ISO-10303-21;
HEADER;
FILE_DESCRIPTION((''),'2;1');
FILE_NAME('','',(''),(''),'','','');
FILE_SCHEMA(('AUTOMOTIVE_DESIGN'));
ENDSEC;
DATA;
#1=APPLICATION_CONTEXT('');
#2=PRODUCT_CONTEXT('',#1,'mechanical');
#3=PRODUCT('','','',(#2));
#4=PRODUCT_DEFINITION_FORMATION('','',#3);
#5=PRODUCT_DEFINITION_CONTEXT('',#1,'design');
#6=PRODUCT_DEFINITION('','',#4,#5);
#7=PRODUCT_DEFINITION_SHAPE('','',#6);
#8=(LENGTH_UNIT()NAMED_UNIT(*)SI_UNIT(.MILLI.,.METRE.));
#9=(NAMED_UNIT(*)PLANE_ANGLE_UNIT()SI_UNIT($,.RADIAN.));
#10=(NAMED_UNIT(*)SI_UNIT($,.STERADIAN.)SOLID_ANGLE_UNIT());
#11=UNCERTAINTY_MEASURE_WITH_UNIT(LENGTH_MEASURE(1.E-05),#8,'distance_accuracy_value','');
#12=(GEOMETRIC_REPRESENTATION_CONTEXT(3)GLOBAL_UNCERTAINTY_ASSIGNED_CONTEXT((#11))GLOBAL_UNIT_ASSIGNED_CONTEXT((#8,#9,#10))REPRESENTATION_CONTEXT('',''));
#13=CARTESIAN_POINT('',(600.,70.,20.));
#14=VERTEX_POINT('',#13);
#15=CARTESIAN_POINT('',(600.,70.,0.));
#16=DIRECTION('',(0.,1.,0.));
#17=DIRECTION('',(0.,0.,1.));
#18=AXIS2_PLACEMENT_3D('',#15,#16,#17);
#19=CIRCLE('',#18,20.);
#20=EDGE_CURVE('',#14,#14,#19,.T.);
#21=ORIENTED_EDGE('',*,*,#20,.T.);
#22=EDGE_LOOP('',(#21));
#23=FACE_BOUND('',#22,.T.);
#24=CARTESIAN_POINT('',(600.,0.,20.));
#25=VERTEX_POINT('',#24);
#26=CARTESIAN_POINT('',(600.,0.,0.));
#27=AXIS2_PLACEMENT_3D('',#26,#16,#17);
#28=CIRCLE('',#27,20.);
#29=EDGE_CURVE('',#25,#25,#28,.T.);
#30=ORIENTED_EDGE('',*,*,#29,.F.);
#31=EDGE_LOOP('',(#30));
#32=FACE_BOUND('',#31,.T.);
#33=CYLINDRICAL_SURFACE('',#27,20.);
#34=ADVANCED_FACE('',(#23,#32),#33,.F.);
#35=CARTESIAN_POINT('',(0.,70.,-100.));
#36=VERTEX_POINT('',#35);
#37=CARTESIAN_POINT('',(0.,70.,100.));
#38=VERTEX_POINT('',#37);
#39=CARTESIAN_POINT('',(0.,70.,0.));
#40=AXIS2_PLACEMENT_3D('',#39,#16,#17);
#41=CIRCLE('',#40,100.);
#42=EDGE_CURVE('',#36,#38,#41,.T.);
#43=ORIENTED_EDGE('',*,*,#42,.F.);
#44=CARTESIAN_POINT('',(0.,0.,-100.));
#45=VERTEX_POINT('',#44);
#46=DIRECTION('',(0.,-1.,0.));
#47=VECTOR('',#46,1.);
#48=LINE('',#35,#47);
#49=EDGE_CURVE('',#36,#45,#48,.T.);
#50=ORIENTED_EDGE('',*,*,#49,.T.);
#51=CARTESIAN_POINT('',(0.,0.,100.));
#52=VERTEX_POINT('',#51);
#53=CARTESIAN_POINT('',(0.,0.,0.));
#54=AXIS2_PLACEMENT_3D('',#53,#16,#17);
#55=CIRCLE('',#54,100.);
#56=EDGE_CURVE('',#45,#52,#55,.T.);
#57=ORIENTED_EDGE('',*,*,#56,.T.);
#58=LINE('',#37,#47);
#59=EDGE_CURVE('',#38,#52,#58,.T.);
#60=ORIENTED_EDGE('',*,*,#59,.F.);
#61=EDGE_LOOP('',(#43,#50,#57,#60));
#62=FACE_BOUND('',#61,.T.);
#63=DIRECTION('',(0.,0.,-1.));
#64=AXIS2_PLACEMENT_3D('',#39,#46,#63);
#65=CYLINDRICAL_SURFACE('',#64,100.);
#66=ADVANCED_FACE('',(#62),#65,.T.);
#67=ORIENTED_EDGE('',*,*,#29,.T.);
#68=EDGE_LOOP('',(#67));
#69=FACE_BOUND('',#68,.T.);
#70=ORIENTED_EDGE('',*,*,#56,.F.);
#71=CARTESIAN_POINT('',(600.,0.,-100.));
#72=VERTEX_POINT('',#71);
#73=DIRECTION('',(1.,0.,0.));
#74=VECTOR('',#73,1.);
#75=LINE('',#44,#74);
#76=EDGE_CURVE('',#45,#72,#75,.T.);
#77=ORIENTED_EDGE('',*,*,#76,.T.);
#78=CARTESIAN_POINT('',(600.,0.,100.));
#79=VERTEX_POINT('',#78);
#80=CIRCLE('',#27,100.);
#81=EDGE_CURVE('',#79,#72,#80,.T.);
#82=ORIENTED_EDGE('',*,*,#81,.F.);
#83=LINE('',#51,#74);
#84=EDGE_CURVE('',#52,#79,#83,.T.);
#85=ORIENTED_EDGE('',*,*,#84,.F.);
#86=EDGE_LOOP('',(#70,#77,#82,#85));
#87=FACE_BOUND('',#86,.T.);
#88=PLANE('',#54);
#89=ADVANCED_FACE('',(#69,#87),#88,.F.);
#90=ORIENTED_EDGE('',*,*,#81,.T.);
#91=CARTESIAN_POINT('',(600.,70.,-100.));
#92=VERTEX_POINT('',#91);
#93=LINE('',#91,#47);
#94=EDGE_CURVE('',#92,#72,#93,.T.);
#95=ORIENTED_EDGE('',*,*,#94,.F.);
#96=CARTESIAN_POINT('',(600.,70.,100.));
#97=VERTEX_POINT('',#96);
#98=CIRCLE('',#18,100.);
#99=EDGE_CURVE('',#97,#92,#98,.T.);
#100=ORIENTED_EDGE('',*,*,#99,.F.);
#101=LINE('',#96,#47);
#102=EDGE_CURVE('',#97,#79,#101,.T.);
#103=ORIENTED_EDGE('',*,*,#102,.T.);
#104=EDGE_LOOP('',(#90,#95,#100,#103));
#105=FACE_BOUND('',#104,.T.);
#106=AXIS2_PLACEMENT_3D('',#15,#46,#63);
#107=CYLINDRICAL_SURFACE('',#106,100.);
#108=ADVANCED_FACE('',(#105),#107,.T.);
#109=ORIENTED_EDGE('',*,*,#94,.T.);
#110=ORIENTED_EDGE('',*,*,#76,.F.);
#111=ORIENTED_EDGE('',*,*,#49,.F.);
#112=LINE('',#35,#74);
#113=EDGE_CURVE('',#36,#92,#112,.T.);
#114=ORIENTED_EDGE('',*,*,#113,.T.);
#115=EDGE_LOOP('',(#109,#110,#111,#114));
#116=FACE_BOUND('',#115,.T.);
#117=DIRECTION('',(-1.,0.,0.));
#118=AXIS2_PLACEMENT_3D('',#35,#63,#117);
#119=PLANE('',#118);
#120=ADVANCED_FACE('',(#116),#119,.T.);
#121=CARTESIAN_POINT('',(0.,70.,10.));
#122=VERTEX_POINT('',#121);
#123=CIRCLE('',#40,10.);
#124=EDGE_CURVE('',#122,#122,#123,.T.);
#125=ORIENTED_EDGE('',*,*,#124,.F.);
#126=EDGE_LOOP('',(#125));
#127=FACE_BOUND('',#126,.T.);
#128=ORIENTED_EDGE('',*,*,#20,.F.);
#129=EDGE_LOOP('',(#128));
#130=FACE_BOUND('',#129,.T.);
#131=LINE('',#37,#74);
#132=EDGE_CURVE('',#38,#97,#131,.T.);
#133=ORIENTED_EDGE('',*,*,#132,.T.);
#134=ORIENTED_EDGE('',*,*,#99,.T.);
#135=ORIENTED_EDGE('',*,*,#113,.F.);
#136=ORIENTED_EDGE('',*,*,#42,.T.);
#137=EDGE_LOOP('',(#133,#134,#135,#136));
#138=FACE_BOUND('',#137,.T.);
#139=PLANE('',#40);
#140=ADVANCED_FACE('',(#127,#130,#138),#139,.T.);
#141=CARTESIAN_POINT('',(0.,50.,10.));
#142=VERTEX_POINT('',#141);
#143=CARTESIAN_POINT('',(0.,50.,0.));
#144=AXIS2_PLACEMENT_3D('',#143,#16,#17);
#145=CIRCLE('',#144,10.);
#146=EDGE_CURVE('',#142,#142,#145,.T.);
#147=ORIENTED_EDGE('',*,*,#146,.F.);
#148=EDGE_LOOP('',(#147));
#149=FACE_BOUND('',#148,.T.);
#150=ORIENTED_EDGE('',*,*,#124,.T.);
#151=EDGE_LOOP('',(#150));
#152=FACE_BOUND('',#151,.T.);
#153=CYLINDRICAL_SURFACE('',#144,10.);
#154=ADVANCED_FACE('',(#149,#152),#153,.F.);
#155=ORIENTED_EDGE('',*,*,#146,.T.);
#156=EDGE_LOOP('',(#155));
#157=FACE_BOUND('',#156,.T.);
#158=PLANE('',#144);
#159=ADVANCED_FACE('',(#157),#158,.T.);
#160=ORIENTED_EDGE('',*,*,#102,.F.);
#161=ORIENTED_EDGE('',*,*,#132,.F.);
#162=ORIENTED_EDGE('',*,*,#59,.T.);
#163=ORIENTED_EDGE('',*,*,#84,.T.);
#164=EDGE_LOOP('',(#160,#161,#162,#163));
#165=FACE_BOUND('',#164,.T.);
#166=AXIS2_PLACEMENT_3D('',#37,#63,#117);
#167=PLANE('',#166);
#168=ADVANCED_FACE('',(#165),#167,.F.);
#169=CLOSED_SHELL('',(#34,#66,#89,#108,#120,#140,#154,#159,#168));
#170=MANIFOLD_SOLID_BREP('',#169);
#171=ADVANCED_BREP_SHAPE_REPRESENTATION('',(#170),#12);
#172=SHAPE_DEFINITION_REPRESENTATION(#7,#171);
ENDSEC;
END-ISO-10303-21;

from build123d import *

# Parameters (mm, degrees)
BOSS_EXTRUDE1_DEPTH = 70
SKETCH2_R           = 10
CUT_EXTRUDE1_DEPTH  = 20
SKETCH3_R           = 20
CUT_EXTRUDE2_DEPTH  = 71


with BuildPart() as part:
    # Sketch1 → Boss-Extrude1 (new body)
    with BuildSketch(Plane(origin=(0, 0, 0), x_dir=(1, 0, 0), z_dir=(0, 1, 0))):
        with BuildLine():
            Line((0, 100), (600, 100))
            ThreePointArc((600, 100), (700, 0), (600, -100))
            Line((600, -100), (0, -100))
            ThreePointArc((0, -100), (-100, 0), (0, 100))
        make_face()
    extrude(amount=BOSS_EXTRUDE1_DEPTH)

    # Sketch2 → Cut-Extrude1 (cut)
    with BuildSketch(Plane(origin=(0, 70, 0), x_dir=(1, 0, 0), z_dir=(0, 1, 0))):
        Circle(SKETCH2_R)
    extrude(amount=-CUT_EXTRUDE1_DEPTH, mode=Mode.SUBTRACT)

    # Sketch3 → Cut-Extrude2 (cut, through all)
    with BuildSketch(Plane(origin=(0, 70, 0), x_dir=(1, 0, 0), z_dir=(0, 1, 0))):
        with Locations((600, 0)):
            Circle(SKETCH3_R)
    extrude(amount=-CUT_EXTRUDE2_DEPTH, mode=Mode.SUBTRACT)


solid = part.part
